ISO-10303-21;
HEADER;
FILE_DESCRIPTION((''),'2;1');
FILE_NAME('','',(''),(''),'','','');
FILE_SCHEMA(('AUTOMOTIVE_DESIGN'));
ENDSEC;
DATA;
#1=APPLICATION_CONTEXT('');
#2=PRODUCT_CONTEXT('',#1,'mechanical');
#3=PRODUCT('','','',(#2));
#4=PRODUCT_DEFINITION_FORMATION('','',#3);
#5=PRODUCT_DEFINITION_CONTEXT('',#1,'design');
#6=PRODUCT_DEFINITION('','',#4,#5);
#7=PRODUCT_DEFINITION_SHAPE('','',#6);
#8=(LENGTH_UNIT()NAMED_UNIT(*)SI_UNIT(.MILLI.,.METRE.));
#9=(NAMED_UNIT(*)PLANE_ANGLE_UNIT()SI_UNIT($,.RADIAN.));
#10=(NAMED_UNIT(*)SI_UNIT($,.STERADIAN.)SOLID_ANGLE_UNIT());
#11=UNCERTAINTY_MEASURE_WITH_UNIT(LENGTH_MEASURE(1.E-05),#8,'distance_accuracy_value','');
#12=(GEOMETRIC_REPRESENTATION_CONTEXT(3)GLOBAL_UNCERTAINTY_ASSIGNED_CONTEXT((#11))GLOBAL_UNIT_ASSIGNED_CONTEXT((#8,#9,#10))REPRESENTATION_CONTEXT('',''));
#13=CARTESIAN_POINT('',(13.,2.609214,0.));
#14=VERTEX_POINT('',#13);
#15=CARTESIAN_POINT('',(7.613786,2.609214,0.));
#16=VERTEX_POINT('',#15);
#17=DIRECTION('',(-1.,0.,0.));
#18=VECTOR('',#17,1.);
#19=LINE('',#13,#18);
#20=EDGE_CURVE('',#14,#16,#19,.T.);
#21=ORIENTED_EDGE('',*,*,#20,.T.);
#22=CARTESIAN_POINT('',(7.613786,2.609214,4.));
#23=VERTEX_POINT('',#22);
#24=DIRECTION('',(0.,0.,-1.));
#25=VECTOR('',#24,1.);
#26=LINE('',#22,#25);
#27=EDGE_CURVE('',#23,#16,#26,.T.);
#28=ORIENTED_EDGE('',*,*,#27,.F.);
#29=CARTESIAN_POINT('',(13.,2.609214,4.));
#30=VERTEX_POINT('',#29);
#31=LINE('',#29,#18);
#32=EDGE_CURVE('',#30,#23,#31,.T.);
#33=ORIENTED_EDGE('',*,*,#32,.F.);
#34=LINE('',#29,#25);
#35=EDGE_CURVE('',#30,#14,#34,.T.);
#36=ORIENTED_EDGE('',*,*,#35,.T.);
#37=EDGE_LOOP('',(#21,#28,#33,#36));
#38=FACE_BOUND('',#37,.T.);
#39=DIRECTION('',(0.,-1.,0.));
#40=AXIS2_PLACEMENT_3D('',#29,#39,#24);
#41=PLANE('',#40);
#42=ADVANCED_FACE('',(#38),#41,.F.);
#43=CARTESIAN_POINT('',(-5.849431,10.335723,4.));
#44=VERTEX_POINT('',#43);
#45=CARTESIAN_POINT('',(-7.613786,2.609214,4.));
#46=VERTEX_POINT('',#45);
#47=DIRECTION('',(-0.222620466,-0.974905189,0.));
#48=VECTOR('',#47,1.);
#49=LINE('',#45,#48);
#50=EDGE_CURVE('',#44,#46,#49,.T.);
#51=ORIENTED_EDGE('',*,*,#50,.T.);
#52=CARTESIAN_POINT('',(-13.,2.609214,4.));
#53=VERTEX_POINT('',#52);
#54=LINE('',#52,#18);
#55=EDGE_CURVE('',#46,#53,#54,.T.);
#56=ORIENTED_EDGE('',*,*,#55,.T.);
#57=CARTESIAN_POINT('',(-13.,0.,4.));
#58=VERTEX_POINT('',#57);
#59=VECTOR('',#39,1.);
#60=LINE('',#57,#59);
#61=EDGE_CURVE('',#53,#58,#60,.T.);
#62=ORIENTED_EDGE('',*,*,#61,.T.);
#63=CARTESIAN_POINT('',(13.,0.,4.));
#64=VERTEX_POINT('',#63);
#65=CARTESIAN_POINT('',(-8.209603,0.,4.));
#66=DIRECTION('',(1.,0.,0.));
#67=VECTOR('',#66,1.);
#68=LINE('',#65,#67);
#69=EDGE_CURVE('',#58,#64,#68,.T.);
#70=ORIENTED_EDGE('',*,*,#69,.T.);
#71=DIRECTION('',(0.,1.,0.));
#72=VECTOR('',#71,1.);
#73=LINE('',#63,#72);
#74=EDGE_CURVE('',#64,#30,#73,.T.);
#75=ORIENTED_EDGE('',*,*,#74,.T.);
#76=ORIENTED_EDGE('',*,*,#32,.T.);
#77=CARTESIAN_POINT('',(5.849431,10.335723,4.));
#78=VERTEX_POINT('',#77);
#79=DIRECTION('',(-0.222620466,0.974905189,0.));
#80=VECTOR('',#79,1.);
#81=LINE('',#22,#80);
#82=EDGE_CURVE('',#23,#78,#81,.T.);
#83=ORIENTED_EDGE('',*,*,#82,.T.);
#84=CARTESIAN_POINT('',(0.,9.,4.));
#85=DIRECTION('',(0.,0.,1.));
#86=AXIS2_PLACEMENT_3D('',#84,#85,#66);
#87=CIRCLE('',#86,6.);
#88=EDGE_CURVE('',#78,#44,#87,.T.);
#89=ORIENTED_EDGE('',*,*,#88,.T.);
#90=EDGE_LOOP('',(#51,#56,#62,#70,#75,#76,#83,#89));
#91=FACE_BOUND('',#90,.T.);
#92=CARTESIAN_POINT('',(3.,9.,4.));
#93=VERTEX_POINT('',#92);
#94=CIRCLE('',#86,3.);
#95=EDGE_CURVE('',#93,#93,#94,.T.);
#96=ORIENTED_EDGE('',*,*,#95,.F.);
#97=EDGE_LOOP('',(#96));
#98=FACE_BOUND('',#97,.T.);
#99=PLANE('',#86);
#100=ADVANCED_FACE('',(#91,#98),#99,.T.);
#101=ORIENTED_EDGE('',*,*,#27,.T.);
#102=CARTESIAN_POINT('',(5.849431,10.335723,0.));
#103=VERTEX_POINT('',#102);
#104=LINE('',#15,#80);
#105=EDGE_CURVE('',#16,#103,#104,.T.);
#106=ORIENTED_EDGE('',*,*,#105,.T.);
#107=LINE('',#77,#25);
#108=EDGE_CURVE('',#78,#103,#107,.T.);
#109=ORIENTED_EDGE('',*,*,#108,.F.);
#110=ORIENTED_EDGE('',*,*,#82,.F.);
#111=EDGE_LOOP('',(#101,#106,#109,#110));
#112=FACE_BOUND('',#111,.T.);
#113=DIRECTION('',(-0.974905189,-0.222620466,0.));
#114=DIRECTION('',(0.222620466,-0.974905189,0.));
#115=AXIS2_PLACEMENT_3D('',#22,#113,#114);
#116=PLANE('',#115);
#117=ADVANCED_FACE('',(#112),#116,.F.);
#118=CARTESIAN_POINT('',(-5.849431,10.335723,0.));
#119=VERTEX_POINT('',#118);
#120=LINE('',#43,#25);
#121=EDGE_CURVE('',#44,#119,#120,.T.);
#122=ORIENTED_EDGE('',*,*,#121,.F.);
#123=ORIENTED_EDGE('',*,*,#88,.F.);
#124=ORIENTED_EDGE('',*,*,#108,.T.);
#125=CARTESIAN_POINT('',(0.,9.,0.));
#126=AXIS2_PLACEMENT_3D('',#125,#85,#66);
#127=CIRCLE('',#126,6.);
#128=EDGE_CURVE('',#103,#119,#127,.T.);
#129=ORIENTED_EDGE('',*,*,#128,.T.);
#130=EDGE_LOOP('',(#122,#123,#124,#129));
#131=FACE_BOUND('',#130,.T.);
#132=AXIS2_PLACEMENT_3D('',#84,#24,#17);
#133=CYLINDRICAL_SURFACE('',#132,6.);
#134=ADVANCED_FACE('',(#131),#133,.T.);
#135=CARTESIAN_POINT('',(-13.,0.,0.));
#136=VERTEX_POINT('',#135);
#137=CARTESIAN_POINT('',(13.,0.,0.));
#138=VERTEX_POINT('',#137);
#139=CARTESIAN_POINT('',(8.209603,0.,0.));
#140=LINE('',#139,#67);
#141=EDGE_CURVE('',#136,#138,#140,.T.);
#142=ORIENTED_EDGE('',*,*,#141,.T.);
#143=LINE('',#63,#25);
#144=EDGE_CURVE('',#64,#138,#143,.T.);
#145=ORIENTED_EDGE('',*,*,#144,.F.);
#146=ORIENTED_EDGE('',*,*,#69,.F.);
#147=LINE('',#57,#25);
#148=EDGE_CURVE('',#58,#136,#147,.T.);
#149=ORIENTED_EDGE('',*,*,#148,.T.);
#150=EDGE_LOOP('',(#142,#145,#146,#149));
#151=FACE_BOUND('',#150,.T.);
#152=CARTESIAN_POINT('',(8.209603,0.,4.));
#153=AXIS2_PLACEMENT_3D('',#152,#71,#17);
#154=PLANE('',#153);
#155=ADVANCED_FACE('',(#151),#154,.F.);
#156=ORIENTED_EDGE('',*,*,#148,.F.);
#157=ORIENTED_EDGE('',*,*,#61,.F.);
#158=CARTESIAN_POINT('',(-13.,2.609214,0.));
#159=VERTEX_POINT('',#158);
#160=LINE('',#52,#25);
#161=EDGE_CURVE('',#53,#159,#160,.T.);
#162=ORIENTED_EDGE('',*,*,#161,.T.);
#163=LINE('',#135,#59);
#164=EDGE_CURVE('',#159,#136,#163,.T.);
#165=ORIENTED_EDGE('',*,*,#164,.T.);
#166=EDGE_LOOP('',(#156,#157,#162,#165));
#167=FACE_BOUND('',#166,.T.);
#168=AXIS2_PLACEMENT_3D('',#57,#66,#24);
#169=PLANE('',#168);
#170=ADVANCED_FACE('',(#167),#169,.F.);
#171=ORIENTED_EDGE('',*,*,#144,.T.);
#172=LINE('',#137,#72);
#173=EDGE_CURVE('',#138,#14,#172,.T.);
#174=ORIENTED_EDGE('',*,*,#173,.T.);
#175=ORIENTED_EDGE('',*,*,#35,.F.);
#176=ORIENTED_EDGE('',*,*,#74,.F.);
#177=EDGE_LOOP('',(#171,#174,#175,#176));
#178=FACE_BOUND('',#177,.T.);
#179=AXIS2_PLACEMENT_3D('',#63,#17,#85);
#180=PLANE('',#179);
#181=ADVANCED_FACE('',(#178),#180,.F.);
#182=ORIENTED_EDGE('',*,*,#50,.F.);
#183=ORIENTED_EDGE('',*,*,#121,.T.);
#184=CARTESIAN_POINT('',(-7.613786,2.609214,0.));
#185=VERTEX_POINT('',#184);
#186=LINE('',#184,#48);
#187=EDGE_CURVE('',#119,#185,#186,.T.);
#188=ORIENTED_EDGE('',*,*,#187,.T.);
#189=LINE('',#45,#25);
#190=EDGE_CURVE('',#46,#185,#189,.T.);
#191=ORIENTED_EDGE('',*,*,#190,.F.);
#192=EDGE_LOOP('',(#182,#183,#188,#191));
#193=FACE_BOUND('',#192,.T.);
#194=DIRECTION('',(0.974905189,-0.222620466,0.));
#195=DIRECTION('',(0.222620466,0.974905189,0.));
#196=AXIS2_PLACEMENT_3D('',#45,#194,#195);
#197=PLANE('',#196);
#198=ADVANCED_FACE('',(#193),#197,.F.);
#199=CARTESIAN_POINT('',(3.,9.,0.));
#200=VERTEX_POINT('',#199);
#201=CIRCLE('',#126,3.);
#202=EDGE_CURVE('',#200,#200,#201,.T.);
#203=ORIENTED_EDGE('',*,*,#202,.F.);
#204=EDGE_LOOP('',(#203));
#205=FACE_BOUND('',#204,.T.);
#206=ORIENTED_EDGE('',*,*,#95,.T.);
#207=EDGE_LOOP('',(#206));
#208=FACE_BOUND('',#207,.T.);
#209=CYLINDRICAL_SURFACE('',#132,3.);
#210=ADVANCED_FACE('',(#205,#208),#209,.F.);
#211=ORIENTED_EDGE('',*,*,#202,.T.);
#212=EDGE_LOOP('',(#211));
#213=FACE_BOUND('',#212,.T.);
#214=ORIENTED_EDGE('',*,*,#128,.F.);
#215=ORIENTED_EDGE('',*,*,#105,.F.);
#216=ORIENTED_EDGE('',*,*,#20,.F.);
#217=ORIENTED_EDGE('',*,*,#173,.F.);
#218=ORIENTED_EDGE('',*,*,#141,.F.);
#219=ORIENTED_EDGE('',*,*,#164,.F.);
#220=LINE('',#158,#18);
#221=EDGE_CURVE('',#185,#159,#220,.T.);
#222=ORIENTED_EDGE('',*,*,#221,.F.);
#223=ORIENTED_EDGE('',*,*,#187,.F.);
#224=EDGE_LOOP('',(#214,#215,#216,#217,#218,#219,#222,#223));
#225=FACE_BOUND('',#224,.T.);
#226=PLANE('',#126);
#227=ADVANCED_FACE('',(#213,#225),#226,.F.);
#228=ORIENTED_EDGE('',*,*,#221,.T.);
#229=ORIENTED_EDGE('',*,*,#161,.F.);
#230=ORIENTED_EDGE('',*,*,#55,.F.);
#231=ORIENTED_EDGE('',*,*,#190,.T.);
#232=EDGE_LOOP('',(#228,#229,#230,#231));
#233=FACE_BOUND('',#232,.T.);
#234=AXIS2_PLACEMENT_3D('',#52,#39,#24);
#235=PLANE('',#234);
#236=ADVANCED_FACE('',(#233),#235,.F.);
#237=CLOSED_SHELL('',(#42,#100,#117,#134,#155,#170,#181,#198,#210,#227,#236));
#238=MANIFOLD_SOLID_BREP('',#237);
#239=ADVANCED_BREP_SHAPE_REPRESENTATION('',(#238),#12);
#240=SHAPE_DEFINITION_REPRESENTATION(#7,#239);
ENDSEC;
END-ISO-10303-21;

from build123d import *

# Parameters (mm, degrees)
ESBO_O1_R                = 3
RESSALTO_EXTRUS_O1_DEPTH = 4


with BuildPart() as part:
    # Esboço1 → Ressalto-extrusão1 (new body)
    with BuildSketch(Plane.XY):
        with BuildLine():
            Line((-8.209602621, 0), (8.209602621, 0))
            Line((8.209602621, 0), (13, 0))
            Line((13, 0), (13, 2.609213558))
            Line((13, 2.609213558), (7.613786386, 2.609213558))
            Line((7.613786386, 2.609213558), (5.849431135, 10.335722798))
            ThreePointArc((5.849431135, 10.335722798), (0, 15), (-5.849431135, 10.335722798))
            Line((-5.849431135, 10.335722798), (-7.613786386, 2.609213558))
            Line((-7.613786386, 2.609213558), (-13, 2.609213558))
            Line((-13, 2.609213558), (-13, 0))
            Line((-13, 0), (-8.209602621, 0))
        make_face()
        with Locations((0, 9)):
            Circle(ESBO_O1_R, mode=Mode.SUBTRACT)
    extrude(amount=RESSALTO_EXTRUS_O1_DEPTH)


solid = part.part
